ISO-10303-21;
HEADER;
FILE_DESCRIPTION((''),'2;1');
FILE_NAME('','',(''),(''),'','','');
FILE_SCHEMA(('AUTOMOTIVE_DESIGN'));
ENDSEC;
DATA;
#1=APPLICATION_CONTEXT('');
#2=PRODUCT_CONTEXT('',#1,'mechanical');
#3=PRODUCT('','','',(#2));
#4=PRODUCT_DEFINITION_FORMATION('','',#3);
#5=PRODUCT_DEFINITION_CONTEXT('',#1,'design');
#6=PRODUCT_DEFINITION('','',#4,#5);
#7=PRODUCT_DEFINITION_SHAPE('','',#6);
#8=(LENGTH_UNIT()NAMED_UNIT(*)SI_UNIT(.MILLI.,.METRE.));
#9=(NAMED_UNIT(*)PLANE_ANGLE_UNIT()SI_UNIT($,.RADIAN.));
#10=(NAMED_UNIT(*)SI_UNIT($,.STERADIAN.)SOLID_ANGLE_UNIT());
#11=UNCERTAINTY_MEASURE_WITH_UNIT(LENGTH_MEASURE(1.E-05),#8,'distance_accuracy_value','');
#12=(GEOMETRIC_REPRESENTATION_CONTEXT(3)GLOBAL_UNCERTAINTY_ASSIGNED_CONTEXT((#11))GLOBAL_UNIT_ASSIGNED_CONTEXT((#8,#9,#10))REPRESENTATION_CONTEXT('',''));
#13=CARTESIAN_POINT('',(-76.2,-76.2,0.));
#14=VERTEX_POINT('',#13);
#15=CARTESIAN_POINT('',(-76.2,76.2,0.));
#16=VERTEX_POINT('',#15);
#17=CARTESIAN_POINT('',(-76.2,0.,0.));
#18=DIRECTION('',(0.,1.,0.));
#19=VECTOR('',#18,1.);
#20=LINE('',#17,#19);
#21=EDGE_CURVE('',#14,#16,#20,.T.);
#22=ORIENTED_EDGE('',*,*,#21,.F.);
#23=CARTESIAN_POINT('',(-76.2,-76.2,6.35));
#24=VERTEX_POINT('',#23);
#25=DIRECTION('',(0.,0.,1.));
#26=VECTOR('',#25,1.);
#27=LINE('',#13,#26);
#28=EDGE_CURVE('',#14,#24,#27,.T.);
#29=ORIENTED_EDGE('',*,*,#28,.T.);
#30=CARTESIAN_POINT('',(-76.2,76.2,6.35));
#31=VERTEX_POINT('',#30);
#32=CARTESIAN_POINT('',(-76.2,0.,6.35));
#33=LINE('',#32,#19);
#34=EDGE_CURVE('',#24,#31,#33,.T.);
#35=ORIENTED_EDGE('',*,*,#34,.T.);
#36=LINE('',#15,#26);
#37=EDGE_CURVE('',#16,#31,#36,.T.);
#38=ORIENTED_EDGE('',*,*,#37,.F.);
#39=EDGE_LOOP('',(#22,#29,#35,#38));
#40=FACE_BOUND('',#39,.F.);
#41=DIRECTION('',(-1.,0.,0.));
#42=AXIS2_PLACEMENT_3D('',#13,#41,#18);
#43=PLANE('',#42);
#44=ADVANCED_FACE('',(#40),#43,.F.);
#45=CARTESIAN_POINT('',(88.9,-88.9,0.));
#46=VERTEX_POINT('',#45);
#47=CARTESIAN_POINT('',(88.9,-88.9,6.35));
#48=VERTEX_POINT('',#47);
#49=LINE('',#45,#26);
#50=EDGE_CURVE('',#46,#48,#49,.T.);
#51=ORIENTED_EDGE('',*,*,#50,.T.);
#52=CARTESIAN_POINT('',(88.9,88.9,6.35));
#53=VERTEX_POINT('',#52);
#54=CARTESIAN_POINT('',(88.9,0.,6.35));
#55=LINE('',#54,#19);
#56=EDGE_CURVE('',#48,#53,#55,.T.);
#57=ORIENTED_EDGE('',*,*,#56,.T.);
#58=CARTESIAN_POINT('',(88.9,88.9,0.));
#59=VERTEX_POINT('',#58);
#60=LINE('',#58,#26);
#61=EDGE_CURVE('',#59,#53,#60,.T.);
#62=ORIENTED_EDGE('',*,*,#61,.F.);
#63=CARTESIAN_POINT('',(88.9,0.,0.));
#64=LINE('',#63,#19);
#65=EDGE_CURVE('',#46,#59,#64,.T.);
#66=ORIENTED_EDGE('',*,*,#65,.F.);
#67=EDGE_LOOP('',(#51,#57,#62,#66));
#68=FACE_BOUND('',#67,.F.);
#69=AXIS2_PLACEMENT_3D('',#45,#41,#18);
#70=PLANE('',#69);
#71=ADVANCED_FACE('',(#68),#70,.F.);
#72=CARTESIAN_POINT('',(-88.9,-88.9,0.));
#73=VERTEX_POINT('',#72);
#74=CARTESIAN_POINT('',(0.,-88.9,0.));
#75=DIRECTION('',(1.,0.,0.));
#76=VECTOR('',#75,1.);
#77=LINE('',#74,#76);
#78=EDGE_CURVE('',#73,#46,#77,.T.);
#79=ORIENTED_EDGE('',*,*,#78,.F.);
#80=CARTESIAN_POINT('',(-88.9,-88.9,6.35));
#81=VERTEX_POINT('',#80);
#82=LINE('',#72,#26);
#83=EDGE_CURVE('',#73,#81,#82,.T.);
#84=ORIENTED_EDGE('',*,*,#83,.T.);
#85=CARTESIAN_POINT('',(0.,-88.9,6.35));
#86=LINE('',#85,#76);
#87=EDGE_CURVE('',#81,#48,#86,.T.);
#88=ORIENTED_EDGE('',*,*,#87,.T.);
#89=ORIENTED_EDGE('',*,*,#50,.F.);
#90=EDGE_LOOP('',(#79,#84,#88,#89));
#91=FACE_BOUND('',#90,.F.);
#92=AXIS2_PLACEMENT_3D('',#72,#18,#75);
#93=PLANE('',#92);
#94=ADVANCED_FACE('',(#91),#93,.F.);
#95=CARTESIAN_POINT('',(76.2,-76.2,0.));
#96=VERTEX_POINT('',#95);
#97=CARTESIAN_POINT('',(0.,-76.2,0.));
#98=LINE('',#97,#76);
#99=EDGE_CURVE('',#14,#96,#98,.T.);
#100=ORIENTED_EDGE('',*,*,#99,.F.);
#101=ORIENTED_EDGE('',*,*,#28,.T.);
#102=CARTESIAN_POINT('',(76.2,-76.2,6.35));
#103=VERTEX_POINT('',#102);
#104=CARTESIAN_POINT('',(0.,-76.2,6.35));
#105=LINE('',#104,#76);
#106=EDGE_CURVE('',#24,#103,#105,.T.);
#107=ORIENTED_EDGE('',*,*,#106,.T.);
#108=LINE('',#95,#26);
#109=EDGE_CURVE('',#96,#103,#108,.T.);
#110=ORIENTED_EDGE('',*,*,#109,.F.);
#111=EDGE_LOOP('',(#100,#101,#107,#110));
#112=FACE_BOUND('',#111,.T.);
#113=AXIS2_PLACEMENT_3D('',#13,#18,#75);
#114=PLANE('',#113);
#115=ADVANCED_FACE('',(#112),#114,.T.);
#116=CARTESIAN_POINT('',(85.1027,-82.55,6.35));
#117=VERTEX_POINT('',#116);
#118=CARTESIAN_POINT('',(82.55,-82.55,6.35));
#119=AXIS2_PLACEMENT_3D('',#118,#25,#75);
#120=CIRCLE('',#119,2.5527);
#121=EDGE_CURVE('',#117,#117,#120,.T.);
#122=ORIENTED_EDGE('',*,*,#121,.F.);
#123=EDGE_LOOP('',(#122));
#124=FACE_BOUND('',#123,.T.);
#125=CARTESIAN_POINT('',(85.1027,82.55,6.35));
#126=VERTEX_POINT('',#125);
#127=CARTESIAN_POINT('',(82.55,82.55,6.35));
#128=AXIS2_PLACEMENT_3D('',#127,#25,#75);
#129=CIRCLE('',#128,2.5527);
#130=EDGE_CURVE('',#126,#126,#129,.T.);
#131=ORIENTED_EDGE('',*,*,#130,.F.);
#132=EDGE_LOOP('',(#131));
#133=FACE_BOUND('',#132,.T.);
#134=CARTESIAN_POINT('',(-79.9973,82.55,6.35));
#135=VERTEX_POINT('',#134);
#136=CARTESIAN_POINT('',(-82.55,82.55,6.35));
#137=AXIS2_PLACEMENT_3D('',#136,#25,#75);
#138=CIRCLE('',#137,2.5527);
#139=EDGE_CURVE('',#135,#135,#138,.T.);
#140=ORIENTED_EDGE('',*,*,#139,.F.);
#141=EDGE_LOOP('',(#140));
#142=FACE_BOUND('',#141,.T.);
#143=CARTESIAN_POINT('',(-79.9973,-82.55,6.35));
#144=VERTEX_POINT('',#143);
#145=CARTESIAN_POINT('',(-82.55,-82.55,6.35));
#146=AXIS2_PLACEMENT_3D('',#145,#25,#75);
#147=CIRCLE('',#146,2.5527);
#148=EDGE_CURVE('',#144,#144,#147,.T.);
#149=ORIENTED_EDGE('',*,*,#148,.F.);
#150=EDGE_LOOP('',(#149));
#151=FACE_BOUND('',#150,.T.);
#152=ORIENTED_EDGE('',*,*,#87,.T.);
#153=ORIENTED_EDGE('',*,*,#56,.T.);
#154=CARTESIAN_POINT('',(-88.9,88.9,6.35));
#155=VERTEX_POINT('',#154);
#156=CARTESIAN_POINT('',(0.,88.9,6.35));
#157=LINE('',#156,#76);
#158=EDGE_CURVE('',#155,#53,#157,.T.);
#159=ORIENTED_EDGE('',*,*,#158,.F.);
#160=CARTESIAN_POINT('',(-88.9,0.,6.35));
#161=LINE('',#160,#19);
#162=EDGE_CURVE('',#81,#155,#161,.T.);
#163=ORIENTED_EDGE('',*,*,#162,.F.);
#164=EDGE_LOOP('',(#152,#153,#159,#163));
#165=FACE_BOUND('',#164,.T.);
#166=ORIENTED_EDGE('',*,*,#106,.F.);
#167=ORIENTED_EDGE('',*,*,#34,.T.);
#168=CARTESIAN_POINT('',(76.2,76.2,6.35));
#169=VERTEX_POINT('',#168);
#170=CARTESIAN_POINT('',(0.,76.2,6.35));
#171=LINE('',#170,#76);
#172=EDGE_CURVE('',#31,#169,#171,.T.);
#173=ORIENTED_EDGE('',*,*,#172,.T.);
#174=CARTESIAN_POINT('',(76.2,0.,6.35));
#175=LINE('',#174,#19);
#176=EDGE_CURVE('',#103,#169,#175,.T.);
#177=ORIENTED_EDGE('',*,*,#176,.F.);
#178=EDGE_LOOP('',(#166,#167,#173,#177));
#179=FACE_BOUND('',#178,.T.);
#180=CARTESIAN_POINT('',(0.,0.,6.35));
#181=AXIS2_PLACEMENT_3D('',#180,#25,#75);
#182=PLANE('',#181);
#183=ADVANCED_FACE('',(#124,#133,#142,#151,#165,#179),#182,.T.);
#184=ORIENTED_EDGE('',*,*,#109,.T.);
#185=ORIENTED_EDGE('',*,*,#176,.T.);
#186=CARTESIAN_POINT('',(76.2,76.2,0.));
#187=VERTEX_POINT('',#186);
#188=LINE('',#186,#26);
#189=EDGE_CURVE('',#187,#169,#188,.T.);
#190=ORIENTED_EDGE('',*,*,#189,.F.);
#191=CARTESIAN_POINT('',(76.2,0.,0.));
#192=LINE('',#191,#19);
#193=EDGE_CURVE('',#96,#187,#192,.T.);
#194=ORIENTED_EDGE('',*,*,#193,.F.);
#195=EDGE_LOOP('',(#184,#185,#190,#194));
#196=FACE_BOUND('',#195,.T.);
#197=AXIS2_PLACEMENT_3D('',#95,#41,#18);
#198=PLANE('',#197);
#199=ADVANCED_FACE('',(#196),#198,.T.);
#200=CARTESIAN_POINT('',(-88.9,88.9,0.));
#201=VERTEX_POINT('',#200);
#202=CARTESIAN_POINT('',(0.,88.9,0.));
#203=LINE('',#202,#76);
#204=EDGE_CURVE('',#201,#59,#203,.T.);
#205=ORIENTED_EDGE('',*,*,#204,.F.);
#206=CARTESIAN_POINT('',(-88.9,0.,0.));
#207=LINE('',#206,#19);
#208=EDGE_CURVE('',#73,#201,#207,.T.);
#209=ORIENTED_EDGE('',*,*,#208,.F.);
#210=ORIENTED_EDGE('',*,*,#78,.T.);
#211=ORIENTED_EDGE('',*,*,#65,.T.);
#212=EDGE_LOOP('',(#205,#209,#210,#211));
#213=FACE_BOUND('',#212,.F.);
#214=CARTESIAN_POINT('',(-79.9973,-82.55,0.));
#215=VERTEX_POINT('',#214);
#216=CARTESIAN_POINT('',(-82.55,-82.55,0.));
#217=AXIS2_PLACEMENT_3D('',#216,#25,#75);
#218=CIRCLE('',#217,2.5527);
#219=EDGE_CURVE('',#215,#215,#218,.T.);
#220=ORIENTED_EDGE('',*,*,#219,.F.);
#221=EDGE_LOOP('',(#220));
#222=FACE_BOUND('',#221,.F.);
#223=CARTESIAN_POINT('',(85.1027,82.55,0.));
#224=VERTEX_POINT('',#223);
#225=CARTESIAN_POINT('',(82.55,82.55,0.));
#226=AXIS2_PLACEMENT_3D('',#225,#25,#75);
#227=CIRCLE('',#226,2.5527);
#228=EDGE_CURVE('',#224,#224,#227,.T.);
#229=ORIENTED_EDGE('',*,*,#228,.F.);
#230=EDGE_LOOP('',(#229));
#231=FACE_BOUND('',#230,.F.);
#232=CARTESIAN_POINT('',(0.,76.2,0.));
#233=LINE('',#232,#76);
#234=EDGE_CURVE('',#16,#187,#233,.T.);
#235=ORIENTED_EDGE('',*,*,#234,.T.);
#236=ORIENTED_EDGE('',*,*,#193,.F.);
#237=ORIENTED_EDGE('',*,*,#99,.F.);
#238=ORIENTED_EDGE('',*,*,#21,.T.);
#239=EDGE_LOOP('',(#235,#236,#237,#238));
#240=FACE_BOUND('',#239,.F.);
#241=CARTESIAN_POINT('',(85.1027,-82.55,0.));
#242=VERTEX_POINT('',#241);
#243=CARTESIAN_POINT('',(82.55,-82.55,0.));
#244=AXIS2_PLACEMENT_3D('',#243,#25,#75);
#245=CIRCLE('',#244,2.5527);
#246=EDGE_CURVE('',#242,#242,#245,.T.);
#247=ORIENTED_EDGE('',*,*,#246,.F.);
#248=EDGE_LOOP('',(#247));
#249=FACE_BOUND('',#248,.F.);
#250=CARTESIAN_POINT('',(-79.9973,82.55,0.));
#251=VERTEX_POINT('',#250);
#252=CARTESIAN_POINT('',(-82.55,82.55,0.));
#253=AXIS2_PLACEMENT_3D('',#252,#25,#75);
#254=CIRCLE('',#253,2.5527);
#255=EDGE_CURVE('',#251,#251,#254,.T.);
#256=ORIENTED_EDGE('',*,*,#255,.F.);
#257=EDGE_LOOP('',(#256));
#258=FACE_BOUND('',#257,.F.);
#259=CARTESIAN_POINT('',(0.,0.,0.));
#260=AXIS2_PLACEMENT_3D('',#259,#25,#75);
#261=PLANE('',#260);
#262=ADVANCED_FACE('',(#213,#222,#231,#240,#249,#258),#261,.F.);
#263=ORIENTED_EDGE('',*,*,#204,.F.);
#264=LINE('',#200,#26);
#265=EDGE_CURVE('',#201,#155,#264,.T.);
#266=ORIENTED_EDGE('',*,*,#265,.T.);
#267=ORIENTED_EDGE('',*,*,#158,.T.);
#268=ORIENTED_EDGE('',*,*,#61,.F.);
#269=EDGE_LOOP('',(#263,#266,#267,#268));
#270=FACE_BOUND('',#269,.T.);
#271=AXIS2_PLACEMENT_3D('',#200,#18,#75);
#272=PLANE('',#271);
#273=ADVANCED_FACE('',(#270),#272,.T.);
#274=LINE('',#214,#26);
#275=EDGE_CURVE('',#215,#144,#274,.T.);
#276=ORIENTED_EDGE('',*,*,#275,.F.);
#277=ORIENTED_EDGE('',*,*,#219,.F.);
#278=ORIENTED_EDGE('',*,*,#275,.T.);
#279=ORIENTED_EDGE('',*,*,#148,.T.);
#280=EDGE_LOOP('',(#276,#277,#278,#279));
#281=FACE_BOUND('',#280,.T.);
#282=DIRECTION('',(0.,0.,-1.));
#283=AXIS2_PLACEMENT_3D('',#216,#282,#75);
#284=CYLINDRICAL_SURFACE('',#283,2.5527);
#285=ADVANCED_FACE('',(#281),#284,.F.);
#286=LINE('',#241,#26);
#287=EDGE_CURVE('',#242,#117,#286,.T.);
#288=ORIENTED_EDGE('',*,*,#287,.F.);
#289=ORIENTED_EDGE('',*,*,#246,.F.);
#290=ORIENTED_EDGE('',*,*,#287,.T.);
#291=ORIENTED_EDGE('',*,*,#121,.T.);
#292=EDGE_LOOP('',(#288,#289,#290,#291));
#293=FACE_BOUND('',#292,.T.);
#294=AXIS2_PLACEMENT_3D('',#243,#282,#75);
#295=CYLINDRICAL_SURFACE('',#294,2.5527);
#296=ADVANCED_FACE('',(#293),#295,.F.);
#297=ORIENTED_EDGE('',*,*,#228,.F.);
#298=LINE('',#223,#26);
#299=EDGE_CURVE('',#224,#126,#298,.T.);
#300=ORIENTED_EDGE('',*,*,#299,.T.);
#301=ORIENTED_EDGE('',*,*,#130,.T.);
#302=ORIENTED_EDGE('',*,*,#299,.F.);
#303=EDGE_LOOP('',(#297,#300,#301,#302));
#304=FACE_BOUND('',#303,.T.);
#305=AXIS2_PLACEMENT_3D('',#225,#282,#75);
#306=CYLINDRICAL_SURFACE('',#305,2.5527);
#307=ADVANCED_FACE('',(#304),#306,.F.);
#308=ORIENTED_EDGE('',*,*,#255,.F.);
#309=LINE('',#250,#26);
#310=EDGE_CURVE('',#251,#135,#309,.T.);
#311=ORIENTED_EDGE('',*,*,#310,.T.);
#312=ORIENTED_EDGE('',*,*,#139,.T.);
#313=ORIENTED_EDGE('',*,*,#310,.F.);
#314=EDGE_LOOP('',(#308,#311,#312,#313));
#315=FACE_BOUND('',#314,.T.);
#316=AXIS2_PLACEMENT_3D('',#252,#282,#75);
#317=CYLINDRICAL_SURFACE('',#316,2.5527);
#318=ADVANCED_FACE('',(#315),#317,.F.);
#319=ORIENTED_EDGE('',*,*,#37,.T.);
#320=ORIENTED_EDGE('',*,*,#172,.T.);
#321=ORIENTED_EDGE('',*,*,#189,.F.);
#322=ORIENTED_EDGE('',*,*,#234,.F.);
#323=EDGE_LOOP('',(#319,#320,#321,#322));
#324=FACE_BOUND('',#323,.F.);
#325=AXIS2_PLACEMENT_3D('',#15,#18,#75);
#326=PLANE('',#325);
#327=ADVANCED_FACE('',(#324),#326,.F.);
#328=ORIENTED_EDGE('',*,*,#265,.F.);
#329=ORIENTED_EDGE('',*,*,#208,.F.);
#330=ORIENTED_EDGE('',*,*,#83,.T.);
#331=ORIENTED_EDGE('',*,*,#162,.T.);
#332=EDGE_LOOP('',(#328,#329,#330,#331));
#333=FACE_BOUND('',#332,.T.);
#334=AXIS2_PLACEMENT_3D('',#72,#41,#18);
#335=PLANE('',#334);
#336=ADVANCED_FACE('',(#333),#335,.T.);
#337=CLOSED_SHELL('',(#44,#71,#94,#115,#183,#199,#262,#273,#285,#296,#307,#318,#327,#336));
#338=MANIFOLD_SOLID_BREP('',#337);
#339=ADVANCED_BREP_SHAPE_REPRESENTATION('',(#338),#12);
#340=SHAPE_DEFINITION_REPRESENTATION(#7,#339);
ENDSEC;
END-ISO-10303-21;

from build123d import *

# Parameters (mm, degrees)
F0_W     = 177.8
F0_H     = 177.8
F0_R     = 2.5527
F0_W_2   = 152.4
F0_H_2   = 152.4
F1_DEPTH = 6.35


with BuildPart() as f1:
    # F0 (on Top) → F1 (new body)
    with BuildSketch(Plane.XY):
        Rectangle(F0_W, F0_H)
        with Locations((-82.55, -82.55)):
            Circle(F0_R, mode=Mode.SUBTRACT)
        with Locations((82.55, -82.55)):
            Circle(F0_R, mode=Mode.SUBTRACT)
        with Locations((-82.55, 82.55)):
            Circle(F0_R, mode=Mode.SUBTRACT)
        Rectangle(F0_W_2, F0_H_2, mode=Mode.SUBTRACT)
        with Locations((82.55, 82.55)):
            Circle(F0_R, mode=Mode.SUBTRACT)
    extrude(amount=F1_DEPTH)


solid = f1.part
